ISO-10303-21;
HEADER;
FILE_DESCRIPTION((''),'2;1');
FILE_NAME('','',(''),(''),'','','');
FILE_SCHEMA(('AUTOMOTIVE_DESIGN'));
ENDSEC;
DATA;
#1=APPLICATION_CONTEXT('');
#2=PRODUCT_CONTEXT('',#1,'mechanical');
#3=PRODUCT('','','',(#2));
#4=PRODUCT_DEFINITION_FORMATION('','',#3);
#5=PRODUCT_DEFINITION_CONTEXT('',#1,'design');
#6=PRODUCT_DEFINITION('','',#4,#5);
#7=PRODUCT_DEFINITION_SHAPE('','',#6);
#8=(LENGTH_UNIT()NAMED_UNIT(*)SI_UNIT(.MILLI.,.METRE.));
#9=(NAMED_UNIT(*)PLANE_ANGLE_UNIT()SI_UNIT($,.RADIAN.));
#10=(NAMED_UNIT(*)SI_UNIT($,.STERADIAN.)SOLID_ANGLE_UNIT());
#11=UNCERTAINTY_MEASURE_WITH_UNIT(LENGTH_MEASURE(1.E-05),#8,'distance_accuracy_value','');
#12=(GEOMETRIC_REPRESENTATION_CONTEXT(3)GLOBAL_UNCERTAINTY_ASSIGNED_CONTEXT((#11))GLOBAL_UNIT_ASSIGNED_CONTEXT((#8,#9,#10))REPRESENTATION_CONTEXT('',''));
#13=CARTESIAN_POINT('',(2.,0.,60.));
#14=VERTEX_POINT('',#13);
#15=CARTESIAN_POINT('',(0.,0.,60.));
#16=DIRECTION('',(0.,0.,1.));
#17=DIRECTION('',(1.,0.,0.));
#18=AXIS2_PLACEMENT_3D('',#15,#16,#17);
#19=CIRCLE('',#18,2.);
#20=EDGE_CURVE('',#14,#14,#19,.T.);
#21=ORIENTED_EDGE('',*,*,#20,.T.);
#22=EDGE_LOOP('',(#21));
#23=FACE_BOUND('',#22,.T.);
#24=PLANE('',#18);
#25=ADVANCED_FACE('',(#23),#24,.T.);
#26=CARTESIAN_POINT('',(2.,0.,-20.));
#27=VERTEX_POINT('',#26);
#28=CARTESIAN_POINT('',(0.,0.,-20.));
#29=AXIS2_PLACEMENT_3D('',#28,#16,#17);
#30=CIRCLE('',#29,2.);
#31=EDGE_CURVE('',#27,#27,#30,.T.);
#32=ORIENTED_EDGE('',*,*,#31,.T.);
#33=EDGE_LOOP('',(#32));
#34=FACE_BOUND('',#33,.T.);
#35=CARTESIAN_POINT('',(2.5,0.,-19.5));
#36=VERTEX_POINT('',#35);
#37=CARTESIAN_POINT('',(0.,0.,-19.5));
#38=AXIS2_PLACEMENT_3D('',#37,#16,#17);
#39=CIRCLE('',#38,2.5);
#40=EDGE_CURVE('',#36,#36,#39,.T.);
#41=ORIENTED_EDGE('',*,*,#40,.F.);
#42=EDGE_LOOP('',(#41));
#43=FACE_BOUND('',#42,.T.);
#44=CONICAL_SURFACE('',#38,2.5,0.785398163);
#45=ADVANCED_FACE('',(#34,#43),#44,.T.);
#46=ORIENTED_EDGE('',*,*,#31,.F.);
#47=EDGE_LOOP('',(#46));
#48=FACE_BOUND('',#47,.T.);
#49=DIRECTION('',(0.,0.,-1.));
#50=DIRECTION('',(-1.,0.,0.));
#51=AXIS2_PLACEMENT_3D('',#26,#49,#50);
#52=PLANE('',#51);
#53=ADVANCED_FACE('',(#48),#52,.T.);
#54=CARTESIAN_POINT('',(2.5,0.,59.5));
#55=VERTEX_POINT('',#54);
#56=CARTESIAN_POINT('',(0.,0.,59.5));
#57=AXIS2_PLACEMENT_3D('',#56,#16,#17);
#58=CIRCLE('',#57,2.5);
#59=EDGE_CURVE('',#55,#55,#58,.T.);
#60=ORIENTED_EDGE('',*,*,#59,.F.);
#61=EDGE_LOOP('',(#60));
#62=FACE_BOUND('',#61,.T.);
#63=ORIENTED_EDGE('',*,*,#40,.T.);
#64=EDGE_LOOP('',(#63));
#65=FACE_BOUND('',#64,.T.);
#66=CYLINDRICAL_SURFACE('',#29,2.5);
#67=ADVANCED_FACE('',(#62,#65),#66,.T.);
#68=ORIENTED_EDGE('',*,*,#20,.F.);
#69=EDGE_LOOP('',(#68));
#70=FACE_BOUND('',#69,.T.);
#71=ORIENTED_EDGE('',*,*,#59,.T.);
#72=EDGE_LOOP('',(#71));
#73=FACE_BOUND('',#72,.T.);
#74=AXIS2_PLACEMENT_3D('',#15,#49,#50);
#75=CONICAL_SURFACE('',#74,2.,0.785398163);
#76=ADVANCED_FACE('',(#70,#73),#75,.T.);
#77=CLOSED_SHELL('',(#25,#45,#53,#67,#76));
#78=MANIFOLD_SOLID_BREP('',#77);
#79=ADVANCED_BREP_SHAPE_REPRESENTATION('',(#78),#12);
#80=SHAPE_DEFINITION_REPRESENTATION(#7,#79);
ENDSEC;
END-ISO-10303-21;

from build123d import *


with BuildPart() as part:
    # Sketch1 → Revolve1 (revolve)
    with BuildSketch(Plane(origin=(0, 0, 0), x_dir=(1, 0, 0), z_dir=(0, 1, 0))):
        Polygon((2, 20), (0, 20), (0, -60), (2, -60), (2.5, -59.5), (2.5, 19.5), align=None)
    revolve(axis=Axis((0, 0, -20), (0, 0, 1)))


solid = part.part
